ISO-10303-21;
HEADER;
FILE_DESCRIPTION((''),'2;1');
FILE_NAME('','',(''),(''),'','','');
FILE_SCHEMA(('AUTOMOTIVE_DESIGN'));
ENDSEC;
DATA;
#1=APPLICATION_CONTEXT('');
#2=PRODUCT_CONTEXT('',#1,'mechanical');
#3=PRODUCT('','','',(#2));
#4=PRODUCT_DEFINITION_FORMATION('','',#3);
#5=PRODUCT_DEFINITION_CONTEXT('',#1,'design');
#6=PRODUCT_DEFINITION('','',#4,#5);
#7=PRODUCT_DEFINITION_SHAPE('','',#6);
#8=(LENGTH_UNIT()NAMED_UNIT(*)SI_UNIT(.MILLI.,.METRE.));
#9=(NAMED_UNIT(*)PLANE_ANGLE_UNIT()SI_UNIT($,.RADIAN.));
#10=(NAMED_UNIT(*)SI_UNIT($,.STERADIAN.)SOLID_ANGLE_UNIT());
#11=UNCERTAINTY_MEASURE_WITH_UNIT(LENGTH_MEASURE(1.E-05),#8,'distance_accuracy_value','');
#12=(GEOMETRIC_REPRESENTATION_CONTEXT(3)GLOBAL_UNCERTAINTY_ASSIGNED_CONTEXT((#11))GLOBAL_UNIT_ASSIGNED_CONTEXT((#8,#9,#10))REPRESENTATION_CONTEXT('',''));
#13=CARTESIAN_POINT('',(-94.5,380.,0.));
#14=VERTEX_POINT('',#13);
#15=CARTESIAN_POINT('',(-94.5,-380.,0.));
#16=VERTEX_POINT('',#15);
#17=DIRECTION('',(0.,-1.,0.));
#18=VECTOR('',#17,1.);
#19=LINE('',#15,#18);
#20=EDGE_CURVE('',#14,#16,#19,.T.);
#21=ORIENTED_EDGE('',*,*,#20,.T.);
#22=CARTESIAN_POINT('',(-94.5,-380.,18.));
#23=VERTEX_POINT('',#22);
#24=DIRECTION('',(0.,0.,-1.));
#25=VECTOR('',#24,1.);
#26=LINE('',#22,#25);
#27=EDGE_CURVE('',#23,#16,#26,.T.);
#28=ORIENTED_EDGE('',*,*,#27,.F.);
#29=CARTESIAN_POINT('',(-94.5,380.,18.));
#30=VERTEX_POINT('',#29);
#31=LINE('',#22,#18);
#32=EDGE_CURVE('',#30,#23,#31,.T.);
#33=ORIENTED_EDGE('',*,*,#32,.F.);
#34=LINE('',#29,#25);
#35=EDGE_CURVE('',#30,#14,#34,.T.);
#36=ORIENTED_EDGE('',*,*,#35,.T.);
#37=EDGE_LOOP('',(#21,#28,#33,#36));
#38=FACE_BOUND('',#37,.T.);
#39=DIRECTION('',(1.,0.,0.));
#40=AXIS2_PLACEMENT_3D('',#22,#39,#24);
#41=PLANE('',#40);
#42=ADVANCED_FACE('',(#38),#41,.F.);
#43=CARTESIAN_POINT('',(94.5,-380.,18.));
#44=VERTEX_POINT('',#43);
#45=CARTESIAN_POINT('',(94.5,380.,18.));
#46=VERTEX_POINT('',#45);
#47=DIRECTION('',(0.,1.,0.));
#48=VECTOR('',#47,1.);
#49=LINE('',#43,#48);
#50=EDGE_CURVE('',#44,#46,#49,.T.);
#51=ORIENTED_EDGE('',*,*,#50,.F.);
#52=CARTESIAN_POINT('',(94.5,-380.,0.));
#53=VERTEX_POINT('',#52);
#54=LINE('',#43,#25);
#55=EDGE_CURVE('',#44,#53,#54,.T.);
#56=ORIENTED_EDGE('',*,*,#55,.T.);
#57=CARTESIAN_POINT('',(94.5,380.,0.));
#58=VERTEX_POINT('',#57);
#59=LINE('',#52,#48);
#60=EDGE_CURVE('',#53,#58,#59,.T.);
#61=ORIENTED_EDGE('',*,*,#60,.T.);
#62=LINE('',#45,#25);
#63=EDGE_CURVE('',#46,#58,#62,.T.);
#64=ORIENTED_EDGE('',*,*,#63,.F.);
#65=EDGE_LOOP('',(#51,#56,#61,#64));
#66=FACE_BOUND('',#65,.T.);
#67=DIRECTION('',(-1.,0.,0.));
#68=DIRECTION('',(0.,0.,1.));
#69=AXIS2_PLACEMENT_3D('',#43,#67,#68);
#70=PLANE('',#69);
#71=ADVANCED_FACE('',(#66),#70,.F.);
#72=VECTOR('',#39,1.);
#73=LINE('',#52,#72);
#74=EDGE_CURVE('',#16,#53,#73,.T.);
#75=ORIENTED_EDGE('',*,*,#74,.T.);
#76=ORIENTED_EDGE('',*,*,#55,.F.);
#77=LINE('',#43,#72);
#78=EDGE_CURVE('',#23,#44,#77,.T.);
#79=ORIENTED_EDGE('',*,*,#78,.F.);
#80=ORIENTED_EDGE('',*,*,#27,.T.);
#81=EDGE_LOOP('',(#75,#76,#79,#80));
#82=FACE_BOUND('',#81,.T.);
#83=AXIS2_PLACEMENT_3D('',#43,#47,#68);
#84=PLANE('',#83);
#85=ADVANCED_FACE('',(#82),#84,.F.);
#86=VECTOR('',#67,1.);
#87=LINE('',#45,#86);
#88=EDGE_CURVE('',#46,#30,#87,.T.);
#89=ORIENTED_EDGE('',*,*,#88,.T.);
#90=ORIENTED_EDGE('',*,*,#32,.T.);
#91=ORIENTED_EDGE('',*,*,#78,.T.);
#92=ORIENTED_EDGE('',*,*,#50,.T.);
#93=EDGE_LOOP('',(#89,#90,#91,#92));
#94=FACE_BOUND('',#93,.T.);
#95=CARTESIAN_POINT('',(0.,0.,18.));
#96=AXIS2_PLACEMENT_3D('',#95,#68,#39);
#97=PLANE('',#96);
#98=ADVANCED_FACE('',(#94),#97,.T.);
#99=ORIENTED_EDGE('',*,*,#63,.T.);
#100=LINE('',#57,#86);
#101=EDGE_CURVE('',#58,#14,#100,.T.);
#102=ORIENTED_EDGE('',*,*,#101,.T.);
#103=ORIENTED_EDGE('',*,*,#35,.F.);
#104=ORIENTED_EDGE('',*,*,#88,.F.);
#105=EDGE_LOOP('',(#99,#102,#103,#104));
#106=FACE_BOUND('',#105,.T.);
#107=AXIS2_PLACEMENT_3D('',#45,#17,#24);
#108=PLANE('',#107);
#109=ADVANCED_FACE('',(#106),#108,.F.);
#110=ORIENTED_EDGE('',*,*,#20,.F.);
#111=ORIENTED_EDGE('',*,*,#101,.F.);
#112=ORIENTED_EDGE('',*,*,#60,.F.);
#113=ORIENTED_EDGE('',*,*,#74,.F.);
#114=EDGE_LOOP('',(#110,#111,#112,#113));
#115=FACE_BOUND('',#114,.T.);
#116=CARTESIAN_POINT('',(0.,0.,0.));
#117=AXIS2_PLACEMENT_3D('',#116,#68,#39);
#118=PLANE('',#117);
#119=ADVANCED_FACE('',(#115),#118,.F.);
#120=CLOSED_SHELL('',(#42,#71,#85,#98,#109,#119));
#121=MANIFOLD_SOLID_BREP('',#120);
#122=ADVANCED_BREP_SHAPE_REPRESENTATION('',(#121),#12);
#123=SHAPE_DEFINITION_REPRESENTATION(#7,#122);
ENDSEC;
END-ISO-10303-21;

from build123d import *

# Parameters (mm, degrees)
SKETCH1_W           = 189
SKETCH1_H           = 760
BOSS_EXTRUDE1_DEPTH = 18


with BuildPart() as part:
    # Sketch1 → Boss-Extrude1 (new body)
    with BuildSketch(Plane.XY):
        Rectangle(SKETCH1_W, SKETCH1_H)
    extrude(amount=BOSS_EXTRUDE1_DEPTH)


solid = part.part
